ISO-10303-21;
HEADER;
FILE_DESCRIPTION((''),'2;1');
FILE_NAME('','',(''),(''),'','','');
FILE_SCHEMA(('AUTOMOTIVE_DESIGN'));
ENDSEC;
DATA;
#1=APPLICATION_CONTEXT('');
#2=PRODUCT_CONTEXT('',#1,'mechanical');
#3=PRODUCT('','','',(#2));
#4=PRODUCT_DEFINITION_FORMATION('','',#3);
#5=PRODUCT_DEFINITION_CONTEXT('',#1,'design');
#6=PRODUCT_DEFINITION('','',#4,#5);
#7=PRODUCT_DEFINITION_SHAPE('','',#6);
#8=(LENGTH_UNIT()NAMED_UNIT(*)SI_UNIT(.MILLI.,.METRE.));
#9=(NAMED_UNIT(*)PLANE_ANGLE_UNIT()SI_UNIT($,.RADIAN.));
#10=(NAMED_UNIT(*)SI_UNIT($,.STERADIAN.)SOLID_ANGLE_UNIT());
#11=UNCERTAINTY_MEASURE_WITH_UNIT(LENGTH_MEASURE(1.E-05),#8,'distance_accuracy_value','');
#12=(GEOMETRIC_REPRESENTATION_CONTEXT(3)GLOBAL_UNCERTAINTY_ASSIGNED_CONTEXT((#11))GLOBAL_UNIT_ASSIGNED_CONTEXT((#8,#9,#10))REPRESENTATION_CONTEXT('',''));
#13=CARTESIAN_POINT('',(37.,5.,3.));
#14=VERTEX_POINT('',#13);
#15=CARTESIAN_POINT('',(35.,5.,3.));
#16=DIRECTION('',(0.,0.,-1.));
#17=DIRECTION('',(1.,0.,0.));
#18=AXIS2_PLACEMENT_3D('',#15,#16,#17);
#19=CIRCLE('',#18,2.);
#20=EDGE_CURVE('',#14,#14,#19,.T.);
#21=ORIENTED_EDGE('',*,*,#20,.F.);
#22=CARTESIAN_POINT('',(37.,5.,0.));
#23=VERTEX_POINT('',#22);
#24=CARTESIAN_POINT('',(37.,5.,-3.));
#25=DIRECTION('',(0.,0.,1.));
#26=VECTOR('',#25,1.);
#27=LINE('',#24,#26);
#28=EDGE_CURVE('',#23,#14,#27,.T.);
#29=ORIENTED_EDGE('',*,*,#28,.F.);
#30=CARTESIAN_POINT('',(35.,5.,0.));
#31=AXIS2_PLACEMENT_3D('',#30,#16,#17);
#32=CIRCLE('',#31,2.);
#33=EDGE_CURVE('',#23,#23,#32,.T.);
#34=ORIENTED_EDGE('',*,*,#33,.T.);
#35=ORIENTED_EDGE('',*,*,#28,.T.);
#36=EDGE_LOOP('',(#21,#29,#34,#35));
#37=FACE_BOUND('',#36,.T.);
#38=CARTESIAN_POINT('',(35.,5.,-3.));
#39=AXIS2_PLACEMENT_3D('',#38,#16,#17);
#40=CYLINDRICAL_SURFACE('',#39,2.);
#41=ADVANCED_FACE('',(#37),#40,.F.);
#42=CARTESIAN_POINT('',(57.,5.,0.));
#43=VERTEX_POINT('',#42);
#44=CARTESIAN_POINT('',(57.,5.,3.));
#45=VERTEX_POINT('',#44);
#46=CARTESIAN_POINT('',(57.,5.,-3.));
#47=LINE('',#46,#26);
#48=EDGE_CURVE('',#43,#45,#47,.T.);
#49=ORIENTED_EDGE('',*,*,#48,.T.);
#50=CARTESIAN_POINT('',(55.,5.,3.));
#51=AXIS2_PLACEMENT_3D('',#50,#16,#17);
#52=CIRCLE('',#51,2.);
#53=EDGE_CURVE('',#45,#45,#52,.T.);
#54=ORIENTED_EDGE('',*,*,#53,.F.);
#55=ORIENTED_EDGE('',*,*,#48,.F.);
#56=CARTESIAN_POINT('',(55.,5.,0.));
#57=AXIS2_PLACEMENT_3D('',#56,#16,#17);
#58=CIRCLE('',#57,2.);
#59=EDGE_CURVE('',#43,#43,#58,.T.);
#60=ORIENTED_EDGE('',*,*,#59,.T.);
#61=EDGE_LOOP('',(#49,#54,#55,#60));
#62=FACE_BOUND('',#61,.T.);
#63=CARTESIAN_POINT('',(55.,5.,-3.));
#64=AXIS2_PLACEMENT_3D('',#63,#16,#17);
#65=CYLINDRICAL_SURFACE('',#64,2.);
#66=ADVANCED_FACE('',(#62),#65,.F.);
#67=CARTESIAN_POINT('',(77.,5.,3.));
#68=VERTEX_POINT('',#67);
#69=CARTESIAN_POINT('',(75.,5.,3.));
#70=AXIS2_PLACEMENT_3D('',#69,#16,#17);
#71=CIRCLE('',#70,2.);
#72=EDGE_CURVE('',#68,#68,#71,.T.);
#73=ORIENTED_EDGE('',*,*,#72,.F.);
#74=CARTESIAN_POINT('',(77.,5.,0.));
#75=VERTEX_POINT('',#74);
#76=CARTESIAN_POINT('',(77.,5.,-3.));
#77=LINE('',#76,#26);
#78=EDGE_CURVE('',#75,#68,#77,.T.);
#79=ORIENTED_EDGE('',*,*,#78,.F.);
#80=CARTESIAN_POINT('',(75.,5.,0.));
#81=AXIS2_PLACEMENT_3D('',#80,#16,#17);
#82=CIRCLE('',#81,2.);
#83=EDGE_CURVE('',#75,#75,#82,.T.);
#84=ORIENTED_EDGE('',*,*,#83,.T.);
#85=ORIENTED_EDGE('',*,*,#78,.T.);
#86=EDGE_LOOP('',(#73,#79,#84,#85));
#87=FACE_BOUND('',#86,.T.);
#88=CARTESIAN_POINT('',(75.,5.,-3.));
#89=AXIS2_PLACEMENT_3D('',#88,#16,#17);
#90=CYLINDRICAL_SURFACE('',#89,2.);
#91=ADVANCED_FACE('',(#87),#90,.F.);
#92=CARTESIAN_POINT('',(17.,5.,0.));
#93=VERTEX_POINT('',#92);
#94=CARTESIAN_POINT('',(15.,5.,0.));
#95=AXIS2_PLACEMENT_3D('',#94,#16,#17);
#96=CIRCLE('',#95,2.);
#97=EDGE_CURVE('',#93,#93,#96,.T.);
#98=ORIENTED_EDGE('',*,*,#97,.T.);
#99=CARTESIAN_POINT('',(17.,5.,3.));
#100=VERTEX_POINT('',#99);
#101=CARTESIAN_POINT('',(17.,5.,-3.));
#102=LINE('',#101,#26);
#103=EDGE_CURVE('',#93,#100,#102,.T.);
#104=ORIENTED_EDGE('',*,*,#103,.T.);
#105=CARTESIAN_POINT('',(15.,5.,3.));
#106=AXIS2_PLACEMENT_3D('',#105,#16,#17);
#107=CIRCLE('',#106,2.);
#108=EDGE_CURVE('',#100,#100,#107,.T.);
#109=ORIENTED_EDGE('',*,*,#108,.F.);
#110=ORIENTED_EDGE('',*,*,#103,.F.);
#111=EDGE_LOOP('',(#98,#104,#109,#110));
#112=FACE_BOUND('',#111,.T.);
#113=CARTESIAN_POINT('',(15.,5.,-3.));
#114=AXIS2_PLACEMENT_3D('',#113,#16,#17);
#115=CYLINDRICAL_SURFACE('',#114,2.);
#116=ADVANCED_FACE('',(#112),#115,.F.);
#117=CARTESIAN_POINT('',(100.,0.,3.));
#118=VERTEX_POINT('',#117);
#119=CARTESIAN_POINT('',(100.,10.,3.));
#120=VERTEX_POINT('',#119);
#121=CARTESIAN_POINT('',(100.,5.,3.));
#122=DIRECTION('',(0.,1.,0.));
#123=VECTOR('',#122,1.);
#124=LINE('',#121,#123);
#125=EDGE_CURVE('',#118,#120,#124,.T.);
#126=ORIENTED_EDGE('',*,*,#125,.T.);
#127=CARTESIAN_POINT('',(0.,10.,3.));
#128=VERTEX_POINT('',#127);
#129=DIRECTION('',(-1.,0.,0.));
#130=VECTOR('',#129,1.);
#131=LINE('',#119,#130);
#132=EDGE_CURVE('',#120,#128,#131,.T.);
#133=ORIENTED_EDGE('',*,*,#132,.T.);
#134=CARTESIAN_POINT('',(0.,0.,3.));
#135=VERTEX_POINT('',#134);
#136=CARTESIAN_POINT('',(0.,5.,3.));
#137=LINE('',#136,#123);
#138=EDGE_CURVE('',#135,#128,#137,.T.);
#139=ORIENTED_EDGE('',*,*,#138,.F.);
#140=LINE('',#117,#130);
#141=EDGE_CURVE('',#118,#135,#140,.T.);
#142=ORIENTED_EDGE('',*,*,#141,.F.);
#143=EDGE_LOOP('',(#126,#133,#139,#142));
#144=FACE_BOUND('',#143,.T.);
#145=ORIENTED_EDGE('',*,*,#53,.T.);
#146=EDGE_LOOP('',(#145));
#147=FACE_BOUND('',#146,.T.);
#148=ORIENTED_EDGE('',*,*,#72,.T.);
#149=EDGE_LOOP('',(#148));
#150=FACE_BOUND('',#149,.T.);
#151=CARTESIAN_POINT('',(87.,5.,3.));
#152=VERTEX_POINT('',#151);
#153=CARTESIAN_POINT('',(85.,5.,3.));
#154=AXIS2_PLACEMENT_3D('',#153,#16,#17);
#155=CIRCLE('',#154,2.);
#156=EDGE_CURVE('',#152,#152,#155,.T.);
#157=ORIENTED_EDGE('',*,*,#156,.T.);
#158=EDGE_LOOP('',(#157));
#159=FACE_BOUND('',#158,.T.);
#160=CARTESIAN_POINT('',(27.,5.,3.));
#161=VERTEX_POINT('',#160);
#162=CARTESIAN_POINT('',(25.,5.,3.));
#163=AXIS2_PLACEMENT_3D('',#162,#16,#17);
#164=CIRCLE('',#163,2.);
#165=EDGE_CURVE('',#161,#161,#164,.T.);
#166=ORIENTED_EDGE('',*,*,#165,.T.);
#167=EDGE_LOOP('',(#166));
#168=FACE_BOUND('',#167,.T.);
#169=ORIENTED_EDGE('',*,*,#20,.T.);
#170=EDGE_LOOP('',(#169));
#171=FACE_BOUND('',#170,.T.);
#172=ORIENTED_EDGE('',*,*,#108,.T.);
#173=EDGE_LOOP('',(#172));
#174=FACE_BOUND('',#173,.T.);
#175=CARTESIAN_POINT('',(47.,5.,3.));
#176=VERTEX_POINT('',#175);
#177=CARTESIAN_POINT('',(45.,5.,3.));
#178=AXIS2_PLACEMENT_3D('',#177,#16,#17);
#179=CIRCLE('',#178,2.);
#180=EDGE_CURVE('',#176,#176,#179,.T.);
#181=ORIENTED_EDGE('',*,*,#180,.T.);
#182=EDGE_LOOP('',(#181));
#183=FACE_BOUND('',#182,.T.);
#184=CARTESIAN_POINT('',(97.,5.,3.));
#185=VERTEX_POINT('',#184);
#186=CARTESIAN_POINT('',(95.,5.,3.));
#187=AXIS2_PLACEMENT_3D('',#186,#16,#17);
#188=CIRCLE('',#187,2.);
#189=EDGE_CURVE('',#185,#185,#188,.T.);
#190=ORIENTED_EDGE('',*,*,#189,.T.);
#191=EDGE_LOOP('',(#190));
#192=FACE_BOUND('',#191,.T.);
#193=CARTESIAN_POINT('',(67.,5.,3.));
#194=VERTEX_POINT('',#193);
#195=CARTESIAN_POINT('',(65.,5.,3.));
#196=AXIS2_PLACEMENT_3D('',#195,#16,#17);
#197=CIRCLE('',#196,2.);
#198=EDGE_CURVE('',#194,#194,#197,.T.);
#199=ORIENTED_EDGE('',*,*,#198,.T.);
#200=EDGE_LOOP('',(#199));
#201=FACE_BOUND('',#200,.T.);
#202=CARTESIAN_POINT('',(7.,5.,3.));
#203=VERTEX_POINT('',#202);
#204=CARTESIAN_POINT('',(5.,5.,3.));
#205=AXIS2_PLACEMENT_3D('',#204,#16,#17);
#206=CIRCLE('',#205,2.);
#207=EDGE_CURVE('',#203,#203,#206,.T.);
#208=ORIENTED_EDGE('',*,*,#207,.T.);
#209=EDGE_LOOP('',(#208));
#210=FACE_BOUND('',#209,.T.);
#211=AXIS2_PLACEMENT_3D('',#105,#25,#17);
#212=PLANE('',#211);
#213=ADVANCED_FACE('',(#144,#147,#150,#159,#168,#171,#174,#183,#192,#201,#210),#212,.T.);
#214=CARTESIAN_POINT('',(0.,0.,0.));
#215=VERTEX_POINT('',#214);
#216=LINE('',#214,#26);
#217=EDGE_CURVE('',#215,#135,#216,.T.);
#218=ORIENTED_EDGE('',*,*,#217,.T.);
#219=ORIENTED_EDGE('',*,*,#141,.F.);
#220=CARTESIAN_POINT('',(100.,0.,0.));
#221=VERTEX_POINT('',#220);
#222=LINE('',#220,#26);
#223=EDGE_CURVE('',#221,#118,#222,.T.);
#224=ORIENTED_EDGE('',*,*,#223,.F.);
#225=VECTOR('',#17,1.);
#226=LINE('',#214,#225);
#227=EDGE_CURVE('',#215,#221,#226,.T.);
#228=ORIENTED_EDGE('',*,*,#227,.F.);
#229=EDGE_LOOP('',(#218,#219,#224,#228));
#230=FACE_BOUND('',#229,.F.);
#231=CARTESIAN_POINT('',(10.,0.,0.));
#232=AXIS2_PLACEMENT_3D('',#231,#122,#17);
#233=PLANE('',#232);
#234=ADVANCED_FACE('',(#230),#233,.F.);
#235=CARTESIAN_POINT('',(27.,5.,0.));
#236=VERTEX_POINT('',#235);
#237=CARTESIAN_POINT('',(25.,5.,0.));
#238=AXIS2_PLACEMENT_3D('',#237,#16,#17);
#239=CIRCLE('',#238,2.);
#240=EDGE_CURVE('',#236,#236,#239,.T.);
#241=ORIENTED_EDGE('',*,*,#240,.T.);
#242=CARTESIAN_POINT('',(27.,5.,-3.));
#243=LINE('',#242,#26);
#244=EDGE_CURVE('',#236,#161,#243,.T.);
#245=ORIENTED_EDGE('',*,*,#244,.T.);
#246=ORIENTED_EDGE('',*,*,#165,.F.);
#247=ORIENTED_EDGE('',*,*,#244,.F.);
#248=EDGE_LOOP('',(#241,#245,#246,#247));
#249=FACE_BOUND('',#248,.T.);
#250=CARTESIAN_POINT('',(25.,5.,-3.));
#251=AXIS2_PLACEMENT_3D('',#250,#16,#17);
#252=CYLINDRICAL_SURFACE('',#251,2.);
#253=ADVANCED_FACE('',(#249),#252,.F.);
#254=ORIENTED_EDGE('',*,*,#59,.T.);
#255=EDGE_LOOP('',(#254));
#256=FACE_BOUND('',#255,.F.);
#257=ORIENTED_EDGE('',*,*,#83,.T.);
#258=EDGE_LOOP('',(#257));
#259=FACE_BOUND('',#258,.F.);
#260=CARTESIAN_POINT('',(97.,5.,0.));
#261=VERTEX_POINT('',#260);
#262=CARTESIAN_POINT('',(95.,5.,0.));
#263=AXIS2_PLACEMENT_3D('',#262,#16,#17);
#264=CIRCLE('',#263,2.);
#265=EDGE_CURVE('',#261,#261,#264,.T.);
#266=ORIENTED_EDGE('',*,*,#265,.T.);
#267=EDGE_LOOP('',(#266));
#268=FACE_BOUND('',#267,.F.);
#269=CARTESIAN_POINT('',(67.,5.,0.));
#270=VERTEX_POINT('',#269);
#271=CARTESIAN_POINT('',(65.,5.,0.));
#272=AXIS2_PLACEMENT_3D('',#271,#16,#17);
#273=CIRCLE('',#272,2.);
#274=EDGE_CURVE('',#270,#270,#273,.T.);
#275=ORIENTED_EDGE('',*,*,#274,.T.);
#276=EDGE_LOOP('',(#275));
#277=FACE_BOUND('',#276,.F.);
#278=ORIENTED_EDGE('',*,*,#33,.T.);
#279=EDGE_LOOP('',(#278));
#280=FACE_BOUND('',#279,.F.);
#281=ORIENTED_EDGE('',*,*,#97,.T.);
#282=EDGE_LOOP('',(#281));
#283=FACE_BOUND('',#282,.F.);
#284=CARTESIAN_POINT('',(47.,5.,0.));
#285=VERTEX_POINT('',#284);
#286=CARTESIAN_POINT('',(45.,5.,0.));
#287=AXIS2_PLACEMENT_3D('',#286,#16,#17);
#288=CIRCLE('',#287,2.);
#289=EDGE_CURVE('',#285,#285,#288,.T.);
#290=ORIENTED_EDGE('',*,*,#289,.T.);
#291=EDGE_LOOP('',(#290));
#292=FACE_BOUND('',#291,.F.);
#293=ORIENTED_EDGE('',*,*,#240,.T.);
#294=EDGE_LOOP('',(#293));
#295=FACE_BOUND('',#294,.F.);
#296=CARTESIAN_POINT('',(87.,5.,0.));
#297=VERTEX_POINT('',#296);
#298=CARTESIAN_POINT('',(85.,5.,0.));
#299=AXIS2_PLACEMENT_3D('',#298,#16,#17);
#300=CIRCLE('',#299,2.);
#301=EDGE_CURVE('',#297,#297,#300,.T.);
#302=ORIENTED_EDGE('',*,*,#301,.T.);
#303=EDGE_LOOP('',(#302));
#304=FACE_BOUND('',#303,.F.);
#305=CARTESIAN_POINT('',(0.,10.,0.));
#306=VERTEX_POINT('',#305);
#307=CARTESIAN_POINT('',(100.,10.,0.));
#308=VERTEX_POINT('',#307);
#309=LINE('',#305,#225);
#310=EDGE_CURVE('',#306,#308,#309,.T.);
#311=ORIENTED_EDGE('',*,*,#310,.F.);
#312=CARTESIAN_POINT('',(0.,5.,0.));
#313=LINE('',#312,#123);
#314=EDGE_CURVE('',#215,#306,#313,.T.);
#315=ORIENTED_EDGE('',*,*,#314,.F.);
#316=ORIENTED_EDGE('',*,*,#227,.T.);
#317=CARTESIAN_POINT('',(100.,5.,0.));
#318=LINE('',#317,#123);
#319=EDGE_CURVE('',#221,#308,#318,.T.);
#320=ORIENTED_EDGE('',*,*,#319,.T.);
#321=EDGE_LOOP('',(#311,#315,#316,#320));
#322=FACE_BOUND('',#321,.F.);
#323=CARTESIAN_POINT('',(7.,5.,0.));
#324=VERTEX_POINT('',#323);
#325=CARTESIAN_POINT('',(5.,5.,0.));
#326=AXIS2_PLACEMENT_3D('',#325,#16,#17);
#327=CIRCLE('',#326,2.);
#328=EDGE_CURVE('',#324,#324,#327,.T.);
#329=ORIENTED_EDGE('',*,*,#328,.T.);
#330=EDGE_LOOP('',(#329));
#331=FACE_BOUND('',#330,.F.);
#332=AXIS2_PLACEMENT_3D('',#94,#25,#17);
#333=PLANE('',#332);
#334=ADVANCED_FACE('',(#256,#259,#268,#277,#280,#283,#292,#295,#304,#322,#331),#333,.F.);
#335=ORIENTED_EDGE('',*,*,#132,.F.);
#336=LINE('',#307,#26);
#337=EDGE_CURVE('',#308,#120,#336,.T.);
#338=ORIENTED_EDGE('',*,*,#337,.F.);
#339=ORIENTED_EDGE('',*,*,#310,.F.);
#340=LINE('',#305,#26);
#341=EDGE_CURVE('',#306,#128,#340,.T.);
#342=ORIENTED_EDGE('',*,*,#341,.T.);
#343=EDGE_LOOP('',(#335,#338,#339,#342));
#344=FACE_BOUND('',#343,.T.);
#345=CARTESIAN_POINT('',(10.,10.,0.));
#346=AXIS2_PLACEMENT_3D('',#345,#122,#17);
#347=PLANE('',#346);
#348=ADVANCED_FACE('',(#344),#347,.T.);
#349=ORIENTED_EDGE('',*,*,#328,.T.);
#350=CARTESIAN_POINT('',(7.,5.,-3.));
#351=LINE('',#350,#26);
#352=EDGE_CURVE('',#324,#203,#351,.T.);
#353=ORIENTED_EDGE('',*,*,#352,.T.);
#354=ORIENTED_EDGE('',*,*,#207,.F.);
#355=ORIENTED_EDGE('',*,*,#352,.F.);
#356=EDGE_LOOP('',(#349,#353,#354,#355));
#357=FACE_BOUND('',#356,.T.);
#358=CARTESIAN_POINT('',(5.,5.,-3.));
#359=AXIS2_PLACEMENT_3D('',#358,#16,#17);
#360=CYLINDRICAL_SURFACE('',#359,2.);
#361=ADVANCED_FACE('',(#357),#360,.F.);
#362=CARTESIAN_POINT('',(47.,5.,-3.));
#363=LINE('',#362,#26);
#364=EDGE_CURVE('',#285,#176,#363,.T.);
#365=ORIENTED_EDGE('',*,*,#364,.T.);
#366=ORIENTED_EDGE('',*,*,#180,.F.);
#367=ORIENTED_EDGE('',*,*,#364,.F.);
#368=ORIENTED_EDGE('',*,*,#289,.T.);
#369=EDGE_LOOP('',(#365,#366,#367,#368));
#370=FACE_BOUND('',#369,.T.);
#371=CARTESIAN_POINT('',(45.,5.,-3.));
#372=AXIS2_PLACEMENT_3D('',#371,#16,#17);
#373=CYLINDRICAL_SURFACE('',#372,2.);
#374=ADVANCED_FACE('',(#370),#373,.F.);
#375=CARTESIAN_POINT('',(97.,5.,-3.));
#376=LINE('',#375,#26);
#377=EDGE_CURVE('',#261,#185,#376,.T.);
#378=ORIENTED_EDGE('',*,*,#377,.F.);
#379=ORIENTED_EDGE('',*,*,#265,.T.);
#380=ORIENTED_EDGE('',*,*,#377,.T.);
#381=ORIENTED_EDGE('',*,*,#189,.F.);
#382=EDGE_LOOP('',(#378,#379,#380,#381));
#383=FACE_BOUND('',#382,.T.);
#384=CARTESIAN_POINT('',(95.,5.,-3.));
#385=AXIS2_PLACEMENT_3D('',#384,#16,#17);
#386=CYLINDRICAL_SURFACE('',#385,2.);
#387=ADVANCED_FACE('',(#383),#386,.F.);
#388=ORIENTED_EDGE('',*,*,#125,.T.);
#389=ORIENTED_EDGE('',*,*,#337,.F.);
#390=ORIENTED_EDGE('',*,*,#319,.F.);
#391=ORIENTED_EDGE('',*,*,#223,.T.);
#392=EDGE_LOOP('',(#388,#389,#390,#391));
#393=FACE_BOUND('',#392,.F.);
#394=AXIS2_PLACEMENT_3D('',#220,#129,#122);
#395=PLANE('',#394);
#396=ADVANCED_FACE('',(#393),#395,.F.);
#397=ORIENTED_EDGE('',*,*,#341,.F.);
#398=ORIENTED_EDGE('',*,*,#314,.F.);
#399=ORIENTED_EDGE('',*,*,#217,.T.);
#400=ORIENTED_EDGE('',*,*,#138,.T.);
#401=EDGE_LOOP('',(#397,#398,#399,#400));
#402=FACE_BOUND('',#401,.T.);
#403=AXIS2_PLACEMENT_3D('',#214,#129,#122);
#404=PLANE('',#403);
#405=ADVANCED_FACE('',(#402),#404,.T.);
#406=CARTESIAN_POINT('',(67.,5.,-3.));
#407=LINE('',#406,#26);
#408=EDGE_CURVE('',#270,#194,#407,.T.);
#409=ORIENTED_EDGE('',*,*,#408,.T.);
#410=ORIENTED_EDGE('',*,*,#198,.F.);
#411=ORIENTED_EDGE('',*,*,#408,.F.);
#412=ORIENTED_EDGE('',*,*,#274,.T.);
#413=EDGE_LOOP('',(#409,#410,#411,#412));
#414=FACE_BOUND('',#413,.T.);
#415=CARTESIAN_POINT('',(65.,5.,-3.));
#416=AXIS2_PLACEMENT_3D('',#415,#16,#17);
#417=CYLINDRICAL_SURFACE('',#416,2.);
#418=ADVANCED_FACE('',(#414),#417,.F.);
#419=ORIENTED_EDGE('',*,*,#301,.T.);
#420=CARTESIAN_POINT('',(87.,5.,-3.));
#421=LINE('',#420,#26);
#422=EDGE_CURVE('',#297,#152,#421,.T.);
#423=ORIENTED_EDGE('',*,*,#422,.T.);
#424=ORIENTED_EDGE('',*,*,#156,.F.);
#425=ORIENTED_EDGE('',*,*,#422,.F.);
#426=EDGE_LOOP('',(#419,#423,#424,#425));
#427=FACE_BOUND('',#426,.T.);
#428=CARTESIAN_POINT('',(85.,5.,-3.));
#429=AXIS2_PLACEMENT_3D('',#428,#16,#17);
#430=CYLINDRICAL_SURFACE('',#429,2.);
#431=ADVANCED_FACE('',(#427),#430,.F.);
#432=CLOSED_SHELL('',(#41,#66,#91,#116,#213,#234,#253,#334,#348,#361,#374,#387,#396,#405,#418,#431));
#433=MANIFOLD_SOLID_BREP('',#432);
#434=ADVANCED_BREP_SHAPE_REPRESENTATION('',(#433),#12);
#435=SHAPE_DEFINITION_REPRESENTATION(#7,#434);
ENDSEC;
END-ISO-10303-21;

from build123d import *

# Parameters (mm, degrees)
CYLINDER_R     = 2
CYLINDER_DEPTH = 10
BOX_W          = 10
BOX_H          = 10
BOX_DEPTH      = 3
ARRAY_X_COUNT  = 10
ARRAY_X_PITCH  = 10


with BuildPart() as cilindro:
    # Cylinder → Cylinder (new body)
    with BuildSketch(Plane(origin=(5, 5, -3), x_dir=(1, 0, 0), z_dir=(0, 0, 1))):
        Circle(CYLINDER_R)
    extrude(amount=CYLINDER_DEPTH)


with BuildPart() as pieza_mecano:
    # Box → Box (new body)
    with BuildSketch(Plane.XY):
        with Locations((5, 5)):
            Rectangle(BOX_W, BOX_H)
    extrude(amount=BOX_DEPTH)

    # Cut: cut Cilindro
    add(cilindro.part, mode=Mode.SUBTRACT)

    # Array X: Pieza-mecano ×10


with BuildPart() as pieza_mecano_1:
    add(pieza_mecano.part)
    with Locations(*[(i * ARRAY_X_PITCH, 0, 0) for i in range(1, ARRAY_X_COUNT)]):
        add(pieza_mecano.part)


solid = pieza_mecano_1.part
